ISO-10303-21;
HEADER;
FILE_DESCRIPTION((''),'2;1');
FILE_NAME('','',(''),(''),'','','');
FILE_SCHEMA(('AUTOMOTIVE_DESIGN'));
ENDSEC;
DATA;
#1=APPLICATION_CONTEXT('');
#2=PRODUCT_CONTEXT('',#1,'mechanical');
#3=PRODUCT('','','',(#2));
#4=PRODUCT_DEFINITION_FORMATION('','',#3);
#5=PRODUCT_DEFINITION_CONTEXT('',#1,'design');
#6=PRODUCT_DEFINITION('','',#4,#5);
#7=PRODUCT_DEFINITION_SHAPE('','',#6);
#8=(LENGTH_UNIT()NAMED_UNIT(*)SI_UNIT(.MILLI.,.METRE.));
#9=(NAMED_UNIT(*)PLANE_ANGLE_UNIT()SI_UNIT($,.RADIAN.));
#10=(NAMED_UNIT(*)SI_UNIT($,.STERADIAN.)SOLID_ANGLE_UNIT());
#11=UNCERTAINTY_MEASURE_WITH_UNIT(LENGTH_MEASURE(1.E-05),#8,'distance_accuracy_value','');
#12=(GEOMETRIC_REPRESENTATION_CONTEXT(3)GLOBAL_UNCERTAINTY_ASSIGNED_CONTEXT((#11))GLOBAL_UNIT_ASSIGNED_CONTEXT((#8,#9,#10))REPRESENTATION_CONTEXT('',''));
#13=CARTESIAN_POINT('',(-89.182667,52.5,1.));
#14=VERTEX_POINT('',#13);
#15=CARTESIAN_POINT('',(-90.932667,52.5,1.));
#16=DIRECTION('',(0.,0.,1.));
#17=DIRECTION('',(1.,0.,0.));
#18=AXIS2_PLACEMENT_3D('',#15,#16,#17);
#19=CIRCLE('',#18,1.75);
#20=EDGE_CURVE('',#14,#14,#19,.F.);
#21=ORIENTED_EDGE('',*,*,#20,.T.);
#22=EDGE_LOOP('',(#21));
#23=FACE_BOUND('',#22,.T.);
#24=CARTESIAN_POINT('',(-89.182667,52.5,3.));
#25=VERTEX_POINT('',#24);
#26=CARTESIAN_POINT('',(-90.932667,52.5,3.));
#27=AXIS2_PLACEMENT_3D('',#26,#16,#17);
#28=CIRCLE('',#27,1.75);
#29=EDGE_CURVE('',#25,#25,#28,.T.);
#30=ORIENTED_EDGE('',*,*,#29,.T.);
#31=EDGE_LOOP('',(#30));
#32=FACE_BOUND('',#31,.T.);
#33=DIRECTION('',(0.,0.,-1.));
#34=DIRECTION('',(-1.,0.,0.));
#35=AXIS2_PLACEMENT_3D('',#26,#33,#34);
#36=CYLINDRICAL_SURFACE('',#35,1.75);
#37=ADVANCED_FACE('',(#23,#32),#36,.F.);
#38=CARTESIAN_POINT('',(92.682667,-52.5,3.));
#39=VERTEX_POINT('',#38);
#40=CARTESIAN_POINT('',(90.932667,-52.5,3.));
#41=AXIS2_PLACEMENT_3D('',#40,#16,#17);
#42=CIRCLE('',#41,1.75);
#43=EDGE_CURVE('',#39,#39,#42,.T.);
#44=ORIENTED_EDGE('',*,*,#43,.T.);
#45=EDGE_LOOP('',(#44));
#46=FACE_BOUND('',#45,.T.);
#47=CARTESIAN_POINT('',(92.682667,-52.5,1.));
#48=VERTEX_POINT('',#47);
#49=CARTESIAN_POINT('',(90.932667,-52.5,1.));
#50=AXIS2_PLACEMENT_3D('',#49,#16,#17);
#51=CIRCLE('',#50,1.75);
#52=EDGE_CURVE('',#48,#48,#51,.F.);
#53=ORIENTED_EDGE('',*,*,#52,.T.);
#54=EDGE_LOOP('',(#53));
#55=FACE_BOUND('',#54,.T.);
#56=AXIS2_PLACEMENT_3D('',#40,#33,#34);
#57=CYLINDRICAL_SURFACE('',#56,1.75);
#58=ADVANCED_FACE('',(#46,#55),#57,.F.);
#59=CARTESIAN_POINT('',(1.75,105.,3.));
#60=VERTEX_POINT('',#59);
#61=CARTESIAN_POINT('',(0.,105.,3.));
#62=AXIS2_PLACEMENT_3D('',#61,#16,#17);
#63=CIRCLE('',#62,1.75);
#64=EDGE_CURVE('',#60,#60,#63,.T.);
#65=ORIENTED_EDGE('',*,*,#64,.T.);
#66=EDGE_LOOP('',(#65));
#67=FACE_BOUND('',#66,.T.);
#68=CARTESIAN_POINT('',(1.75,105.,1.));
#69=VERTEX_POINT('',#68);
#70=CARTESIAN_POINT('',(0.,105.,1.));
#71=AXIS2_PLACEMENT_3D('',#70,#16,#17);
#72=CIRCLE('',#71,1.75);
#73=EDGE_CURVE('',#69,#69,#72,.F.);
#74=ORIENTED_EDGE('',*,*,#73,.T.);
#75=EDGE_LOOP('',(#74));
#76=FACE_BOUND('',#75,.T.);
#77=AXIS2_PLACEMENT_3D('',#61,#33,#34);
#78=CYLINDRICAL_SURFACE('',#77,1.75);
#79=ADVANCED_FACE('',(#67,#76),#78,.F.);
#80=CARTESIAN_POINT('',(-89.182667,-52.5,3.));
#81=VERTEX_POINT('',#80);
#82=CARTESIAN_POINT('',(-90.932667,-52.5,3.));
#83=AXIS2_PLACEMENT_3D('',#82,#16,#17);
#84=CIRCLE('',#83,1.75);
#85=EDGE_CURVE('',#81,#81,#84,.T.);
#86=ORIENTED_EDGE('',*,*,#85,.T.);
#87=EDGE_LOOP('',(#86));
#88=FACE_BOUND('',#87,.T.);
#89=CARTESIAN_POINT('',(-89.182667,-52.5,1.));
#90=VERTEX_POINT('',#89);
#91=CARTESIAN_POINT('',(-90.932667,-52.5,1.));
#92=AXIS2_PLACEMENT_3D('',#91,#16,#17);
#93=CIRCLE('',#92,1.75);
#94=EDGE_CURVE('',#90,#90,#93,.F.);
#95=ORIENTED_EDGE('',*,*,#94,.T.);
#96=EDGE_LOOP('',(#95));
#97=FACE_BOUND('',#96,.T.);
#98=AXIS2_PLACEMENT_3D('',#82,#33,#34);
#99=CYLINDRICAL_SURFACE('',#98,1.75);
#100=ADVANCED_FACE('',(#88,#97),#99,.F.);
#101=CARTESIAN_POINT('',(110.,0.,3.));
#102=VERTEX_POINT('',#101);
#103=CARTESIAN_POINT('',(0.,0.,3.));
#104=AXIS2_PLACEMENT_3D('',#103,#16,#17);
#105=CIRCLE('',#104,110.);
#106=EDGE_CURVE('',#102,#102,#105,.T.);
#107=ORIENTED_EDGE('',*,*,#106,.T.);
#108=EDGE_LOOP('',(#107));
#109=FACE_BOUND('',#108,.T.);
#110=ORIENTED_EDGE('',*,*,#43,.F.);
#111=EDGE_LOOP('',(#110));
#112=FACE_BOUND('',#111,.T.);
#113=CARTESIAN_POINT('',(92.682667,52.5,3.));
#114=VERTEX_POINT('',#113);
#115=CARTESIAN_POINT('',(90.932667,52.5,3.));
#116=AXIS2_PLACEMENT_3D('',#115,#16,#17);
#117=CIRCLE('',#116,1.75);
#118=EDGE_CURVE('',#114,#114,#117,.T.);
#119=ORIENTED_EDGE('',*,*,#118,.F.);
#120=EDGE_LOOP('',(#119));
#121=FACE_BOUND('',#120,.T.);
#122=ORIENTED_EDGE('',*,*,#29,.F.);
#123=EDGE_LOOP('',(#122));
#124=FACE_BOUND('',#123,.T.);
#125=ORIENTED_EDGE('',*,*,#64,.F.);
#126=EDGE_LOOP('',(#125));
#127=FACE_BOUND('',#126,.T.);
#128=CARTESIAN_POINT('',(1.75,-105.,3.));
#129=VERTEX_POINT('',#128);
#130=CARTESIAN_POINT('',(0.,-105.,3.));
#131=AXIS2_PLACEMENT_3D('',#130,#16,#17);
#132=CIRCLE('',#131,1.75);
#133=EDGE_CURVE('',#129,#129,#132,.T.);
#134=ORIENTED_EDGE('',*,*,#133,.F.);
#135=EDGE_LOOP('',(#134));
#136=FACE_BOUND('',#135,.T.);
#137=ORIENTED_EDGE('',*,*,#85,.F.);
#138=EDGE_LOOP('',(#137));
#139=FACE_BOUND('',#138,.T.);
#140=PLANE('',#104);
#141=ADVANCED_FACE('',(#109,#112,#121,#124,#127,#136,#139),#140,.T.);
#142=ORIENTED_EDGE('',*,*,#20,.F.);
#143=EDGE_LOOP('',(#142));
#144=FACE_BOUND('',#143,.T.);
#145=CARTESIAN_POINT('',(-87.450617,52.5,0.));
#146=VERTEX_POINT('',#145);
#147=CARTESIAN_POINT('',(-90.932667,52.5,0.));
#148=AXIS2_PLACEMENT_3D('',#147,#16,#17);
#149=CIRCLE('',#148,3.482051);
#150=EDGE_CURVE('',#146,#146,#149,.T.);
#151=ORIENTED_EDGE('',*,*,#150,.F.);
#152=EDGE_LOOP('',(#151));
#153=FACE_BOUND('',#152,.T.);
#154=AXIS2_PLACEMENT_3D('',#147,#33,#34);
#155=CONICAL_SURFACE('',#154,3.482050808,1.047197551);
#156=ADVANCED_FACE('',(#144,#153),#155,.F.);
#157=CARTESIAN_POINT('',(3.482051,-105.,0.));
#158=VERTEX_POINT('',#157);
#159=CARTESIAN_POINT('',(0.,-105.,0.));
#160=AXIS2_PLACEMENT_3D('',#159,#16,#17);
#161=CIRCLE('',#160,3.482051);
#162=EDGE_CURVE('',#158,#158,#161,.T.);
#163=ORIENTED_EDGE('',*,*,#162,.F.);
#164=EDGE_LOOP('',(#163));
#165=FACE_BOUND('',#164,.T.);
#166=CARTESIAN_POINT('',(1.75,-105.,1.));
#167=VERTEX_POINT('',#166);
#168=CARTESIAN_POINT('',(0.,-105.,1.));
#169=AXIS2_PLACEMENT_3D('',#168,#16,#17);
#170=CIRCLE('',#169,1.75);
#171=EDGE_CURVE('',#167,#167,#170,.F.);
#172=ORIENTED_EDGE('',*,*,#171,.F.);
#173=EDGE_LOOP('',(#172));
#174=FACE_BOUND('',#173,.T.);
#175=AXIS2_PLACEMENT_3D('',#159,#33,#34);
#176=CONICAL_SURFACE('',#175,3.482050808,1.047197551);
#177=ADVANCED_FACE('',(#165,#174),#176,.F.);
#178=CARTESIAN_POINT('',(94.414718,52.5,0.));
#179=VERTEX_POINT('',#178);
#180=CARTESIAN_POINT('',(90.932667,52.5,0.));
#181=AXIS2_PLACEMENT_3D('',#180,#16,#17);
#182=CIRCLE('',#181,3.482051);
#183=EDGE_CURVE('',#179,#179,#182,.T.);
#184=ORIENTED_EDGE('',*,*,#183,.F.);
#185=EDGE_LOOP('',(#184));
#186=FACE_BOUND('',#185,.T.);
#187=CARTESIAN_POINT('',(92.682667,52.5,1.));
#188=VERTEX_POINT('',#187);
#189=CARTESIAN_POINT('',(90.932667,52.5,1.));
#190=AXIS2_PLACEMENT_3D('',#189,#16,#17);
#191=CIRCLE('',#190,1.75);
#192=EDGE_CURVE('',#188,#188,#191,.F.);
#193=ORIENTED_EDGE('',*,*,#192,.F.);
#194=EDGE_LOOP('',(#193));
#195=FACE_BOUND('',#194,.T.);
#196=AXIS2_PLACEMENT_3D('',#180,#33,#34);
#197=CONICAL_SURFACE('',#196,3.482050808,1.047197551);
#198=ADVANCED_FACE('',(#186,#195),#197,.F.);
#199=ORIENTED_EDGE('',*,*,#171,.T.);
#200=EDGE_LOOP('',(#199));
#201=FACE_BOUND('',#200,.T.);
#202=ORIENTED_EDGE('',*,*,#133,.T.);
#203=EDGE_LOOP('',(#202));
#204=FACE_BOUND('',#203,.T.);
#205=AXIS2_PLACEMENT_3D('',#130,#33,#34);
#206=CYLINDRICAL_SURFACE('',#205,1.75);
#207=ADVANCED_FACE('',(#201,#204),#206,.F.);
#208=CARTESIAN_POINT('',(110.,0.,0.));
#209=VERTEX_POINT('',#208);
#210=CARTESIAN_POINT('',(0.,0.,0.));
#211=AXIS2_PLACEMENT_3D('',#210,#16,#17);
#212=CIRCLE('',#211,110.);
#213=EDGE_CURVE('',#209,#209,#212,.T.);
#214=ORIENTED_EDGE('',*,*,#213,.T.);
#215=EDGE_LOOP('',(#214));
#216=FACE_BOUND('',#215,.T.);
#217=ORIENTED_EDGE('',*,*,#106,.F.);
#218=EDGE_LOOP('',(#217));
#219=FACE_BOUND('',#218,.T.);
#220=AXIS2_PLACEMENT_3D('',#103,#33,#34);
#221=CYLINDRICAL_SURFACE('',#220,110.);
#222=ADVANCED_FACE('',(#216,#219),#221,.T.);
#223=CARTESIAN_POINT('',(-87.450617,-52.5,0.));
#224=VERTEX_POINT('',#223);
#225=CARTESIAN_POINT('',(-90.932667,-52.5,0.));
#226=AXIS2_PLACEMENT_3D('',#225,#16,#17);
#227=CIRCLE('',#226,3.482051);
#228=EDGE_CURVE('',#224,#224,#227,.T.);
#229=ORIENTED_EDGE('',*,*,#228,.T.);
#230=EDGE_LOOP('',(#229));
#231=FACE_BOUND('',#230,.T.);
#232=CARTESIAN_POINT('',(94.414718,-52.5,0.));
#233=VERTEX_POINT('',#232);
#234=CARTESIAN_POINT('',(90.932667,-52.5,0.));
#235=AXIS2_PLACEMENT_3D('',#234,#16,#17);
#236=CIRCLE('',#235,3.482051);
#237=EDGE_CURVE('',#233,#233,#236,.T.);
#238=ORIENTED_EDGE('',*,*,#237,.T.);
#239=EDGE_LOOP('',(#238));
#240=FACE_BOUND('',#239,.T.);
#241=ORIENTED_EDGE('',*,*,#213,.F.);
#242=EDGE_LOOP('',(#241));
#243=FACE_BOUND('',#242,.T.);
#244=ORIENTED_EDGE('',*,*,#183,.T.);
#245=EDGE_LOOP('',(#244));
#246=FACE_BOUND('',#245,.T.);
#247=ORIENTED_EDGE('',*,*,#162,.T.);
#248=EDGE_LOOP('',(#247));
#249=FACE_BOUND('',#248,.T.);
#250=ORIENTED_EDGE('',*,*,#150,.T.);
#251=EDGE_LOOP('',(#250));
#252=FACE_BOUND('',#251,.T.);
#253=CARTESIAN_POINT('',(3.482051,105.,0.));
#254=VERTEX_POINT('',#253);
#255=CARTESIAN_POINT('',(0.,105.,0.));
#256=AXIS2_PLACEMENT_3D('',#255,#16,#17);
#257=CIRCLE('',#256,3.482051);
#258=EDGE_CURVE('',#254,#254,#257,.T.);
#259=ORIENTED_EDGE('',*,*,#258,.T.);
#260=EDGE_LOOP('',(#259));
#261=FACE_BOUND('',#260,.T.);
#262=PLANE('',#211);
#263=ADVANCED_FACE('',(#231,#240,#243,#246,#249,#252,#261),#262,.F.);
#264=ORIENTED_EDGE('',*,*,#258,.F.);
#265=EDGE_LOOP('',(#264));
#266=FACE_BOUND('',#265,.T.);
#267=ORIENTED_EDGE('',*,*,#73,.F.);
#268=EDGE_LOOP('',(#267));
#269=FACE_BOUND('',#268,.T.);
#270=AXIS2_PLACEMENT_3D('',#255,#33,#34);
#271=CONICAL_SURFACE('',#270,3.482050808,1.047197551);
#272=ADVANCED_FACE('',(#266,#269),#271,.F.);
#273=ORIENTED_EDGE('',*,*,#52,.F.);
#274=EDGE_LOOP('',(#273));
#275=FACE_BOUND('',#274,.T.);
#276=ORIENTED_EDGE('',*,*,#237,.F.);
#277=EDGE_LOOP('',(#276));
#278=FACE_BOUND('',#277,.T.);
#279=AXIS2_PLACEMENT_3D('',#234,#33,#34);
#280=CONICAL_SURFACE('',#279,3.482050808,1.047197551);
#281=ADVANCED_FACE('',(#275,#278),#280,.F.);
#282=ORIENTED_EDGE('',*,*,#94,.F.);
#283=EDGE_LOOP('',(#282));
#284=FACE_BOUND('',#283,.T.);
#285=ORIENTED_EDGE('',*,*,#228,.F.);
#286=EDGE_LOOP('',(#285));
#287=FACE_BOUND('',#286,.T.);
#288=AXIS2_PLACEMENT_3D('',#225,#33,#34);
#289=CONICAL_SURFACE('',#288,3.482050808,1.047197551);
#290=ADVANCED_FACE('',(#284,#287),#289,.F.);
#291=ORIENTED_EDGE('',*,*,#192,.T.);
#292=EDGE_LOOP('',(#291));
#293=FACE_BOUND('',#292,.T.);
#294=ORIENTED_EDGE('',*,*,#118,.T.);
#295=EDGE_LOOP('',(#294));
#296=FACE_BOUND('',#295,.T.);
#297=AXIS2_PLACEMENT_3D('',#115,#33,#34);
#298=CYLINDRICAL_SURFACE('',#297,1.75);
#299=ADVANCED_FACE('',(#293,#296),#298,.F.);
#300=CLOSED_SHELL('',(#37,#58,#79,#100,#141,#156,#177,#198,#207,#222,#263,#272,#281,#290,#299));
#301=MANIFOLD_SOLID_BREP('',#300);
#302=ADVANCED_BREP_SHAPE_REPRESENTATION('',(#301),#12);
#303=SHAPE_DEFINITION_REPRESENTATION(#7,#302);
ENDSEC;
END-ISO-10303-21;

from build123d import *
from OCP.BRepFilletAPI import BRepFilletAPI_MakeChamfer

# Parameters (mm, degrees)
CROQUIS1_R              = 110
CROQUIS1_R_2            = 1.75
SALIENTE_EXTRUIR1_DEPTH = 3
CHAFL_N1_SIZE           = 1
CHAFL_N1_SIZE2          = 1.732050808
CHAFL_N2_SIZE           = 1
CHAFL_N2_SIZE2          = 1.732050808


with BuildPart() as part:
    # Croquis1 → Saliente-Extruir1 (new body)
    with BuildSketch(Plane.XY):
        Circle(CROQUIS1_R)
        with Locations((0, 105)):
            Circle(CROQUIS1_R_2, mode=Mode.SUBTRACT)
        with Locations((90.932667397, 52.5)):
            Circle(CROQUIS1_R_2, mode=Mode.SUBTRACT)
        with Locations((90.932667397, -52.5)):
            Circle(CROQUIS1_R_2, mode=Mode.SUBTRACT)
        with Locations((0, -105)):
            Circle(CROQUIS1_R_2, mode=Mode.SUBTRACT)
        with Locations((-90.932667397, -52.5)):
            Circle(CROQUIS1_R_2, mode=Mode.SUBTRACT)
        with Locations((-90.932667397, 52.5)):
            Circle(CROQUIS1_R_2, mode=Mode.SUBTRACT)
    extrude(amount=SALIENTE_EXTRUIR1_DEPTH)

    # Chaflán1
    chafl_n1_edges = [part.edges().sort_by_distance(p)[0] for p in [
        (-1.75, 105, 0),
    ]]
    chafl_n1_side = [part.faces().sort_by_distance(p)[0] for p in [
        (-1.75, 105, 1.5),
    ]]
    chamfer(chafl_n1_edges, length=CHAFL_N1_SIZE, length2=CHAFL_N1_SIZE2, reference=chafl_n1_side[0])

    # Chaflán2: one chamfer whose edges measure the first distance from different faces: ONE call of the kernel's chamfer builder (chamfer() names one face for all edges)
    chafl_n2_edges_1 = [part.edges().sort_by_distance(p)[0] for p in [
        (89.182667397, -52.5, 0),
    ]]
    chafl_n2_side_1 = [part.faces().sort_by_distance(p)[0] for p in [
        (89.182667397, -52.5, 1.5),
    ]]
    chafl_n2_edges_2 = [part.edges().sort_by_distance(p)[0] for p in [
        (-1.75, -105, 0),
    ]]
    chafl_n2_side_2 = [part.faces().sort_by_distance(p)[0] for p in [
        (-1.75, -105, 1.5),
    ]]
    chafl_n2_edges_3 = [part.edges().sort_by_distance(p)[0] for p in [
        (-92.682667397, -52.5, 0),
    ]]
    chafl_n2_side_3 = [part.faces().sort_by_distance(p)[0] for p in [
        (-92.682667397, -52.5, 1.5),
    ]]
    chafl_n2_edges_4 = [part.edges().sort_by_distance(p)[0] for p in [
        (-92.682667397, 52.5, 0),
    ]]
    chafl_n2_side_4 = [part.faces().sort_by_distance(p)[0] for p in [
        (-92.682667397, 52.5, 1.5),
    ]]
    chafl_n2_edges_5 = [part.edges().sort_by_distance(p)[0] for p in [
        (89.182667397, 52.5, 0),
    ]]
    chafl_n2_side_5 = [part.faces().sort_by_distance(p)[0] for p in [
        (89.182667397, 52.5, 1.5),
    ]]
    chafl_n2 = BRepFilletAPI_MakeChamfer(part.part.solid().wrapped)
    for e in chafl_n2_edges_1:
        chafl_n2.Add(CHAFL_N2_SIZE, CHAFL_N2_SIZE2, e.wrapped, chafl_n2_side_1[0].wrapped)  # the first distance lies on this face
    for e in chafl_n2_edges_2:
        chafl_n2.Add(CHAFL_N2_SIZE, CHAFL_N2_SIZE2, e.wrapped, chafl_n2_side_2[0].wrapped)  # the first distance lies on this face
    for e in chafl_n2_edges_3:
        chafl_n2.Add(CHAFL_N2_SIZE, CHAFL_N2_SIZE2, e.wrapped, chafl_n2_side_3[0].wrapped)  # the first distance lies on this face
    for e in chafl_n2_edges_4:
        chafl_n2.Add(CHAFL_N2_SIZE, CHAFL_N2_SIZE2, e.wrapped, chafl_n2_side_4[0].wrapped)  # the first distance lies on this face
    for e in chafl_n2_edges_5:
        chafl_n2.Add(CHAFL_N2_SIZE, CHAFL_N2_SIZE2, e.wrapped, chafl_n2_side_5[0].wrapped)  # the first distance lies on this face
    add(Compound.cast(chafl_n2.Shape()), mode=Mode.REPLACE)


solid = part.part
